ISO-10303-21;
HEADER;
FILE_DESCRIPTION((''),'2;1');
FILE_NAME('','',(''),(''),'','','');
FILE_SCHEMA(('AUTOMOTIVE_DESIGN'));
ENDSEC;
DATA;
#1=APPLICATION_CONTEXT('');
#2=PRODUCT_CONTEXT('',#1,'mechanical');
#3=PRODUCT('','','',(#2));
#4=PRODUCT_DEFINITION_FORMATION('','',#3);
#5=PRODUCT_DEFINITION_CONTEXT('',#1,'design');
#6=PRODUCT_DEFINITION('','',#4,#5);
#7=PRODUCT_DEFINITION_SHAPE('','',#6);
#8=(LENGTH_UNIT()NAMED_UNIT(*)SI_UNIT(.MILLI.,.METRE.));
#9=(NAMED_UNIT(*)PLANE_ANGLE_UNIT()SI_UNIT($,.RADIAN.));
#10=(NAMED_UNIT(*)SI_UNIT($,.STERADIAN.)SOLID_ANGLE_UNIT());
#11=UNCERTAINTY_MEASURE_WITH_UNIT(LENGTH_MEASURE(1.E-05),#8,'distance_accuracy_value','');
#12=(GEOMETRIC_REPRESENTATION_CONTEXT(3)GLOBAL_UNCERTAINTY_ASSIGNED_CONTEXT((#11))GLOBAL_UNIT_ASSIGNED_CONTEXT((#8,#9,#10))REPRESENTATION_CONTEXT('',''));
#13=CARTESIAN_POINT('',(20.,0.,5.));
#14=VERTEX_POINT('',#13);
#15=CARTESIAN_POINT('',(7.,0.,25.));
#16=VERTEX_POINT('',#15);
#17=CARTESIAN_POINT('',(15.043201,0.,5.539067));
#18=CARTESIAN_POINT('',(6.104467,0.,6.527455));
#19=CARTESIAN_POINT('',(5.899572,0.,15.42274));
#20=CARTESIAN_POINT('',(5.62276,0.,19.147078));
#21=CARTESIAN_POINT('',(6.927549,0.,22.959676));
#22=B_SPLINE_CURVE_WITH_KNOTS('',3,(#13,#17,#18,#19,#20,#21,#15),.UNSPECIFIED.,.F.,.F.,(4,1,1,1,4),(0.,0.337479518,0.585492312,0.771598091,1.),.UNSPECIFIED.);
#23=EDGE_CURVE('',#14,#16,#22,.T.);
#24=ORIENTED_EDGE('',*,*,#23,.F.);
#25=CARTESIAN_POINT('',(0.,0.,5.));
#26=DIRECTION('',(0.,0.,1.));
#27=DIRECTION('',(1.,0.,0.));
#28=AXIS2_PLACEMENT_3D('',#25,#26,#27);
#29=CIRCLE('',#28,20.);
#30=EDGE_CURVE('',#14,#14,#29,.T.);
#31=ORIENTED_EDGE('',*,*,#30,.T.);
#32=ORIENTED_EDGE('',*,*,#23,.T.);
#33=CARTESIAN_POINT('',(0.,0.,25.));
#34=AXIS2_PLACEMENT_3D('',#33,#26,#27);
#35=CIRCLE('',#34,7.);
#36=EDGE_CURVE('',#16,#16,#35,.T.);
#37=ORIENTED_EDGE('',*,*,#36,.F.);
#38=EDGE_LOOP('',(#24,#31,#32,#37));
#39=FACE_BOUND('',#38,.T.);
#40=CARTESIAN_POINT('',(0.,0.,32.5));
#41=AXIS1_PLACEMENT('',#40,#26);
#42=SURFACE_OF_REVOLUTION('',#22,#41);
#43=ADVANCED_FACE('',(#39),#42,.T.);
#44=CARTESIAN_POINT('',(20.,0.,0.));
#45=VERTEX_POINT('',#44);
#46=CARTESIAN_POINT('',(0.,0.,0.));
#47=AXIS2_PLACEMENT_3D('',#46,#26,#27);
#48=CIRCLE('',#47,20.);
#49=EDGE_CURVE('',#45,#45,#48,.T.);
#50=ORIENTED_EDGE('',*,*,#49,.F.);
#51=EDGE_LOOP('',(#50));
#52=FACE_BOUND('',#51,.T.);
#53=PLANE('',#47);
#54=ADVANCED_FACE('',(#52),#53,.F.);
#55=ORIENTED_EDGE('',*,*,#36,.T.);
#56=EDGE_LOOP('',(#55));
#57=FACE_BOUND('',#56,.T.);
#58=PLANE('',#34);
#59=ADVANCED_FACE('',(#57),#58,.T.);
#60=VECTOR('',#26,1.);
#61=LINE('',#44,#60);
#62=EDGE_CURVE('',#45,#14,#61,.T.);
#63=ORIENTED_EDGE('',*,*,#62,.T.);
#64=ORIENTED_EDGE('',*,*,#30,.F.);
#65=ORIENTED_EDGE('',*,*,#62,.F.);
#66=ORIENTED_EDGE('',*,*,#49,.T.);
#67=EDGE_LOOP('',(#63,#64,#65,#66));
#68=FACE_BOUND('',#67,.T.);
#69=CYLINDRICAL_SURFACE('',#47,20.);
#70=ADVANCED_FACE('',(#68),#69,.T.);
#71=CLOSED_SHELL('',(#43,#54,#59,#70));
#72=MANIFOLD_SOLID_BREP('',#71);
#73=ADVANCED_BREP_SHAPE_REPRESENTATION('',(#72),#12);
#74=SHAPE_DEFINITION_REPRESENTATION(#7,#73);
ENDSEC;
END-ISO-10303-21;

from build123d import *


with BuildPart() as f2:
    # F0 (on Front) → F2 (revolve)
    with BuildSketch(Plane.XZ):
        with BuildLine():
            Line((0, 25), (0, 0))
            Line((0, 0), (20, 0))
            Line((20, 0), (20, 5))
            add(Edge.make_bspline(
                [(20, 5), (15.0432008303, 5.5390673577), (6.1044665974, 6.5274552895), (5.8995721306, 15.4227398838), (5.6227595549, 19.1470782789), (6.9275492823, 22.9596758679), (7, 25)],
                knots=[0, 0, 0, 0, 0.3374795184, 0.5854923121, 0.7715980908, 1, 1, 1, 1], degree=3))
            Line((7, 25), (0, 25))
        make_face()
    revolve(axis=Axis((0, 0, 32.5), (0, 0, 1)))


solid = f2.part
